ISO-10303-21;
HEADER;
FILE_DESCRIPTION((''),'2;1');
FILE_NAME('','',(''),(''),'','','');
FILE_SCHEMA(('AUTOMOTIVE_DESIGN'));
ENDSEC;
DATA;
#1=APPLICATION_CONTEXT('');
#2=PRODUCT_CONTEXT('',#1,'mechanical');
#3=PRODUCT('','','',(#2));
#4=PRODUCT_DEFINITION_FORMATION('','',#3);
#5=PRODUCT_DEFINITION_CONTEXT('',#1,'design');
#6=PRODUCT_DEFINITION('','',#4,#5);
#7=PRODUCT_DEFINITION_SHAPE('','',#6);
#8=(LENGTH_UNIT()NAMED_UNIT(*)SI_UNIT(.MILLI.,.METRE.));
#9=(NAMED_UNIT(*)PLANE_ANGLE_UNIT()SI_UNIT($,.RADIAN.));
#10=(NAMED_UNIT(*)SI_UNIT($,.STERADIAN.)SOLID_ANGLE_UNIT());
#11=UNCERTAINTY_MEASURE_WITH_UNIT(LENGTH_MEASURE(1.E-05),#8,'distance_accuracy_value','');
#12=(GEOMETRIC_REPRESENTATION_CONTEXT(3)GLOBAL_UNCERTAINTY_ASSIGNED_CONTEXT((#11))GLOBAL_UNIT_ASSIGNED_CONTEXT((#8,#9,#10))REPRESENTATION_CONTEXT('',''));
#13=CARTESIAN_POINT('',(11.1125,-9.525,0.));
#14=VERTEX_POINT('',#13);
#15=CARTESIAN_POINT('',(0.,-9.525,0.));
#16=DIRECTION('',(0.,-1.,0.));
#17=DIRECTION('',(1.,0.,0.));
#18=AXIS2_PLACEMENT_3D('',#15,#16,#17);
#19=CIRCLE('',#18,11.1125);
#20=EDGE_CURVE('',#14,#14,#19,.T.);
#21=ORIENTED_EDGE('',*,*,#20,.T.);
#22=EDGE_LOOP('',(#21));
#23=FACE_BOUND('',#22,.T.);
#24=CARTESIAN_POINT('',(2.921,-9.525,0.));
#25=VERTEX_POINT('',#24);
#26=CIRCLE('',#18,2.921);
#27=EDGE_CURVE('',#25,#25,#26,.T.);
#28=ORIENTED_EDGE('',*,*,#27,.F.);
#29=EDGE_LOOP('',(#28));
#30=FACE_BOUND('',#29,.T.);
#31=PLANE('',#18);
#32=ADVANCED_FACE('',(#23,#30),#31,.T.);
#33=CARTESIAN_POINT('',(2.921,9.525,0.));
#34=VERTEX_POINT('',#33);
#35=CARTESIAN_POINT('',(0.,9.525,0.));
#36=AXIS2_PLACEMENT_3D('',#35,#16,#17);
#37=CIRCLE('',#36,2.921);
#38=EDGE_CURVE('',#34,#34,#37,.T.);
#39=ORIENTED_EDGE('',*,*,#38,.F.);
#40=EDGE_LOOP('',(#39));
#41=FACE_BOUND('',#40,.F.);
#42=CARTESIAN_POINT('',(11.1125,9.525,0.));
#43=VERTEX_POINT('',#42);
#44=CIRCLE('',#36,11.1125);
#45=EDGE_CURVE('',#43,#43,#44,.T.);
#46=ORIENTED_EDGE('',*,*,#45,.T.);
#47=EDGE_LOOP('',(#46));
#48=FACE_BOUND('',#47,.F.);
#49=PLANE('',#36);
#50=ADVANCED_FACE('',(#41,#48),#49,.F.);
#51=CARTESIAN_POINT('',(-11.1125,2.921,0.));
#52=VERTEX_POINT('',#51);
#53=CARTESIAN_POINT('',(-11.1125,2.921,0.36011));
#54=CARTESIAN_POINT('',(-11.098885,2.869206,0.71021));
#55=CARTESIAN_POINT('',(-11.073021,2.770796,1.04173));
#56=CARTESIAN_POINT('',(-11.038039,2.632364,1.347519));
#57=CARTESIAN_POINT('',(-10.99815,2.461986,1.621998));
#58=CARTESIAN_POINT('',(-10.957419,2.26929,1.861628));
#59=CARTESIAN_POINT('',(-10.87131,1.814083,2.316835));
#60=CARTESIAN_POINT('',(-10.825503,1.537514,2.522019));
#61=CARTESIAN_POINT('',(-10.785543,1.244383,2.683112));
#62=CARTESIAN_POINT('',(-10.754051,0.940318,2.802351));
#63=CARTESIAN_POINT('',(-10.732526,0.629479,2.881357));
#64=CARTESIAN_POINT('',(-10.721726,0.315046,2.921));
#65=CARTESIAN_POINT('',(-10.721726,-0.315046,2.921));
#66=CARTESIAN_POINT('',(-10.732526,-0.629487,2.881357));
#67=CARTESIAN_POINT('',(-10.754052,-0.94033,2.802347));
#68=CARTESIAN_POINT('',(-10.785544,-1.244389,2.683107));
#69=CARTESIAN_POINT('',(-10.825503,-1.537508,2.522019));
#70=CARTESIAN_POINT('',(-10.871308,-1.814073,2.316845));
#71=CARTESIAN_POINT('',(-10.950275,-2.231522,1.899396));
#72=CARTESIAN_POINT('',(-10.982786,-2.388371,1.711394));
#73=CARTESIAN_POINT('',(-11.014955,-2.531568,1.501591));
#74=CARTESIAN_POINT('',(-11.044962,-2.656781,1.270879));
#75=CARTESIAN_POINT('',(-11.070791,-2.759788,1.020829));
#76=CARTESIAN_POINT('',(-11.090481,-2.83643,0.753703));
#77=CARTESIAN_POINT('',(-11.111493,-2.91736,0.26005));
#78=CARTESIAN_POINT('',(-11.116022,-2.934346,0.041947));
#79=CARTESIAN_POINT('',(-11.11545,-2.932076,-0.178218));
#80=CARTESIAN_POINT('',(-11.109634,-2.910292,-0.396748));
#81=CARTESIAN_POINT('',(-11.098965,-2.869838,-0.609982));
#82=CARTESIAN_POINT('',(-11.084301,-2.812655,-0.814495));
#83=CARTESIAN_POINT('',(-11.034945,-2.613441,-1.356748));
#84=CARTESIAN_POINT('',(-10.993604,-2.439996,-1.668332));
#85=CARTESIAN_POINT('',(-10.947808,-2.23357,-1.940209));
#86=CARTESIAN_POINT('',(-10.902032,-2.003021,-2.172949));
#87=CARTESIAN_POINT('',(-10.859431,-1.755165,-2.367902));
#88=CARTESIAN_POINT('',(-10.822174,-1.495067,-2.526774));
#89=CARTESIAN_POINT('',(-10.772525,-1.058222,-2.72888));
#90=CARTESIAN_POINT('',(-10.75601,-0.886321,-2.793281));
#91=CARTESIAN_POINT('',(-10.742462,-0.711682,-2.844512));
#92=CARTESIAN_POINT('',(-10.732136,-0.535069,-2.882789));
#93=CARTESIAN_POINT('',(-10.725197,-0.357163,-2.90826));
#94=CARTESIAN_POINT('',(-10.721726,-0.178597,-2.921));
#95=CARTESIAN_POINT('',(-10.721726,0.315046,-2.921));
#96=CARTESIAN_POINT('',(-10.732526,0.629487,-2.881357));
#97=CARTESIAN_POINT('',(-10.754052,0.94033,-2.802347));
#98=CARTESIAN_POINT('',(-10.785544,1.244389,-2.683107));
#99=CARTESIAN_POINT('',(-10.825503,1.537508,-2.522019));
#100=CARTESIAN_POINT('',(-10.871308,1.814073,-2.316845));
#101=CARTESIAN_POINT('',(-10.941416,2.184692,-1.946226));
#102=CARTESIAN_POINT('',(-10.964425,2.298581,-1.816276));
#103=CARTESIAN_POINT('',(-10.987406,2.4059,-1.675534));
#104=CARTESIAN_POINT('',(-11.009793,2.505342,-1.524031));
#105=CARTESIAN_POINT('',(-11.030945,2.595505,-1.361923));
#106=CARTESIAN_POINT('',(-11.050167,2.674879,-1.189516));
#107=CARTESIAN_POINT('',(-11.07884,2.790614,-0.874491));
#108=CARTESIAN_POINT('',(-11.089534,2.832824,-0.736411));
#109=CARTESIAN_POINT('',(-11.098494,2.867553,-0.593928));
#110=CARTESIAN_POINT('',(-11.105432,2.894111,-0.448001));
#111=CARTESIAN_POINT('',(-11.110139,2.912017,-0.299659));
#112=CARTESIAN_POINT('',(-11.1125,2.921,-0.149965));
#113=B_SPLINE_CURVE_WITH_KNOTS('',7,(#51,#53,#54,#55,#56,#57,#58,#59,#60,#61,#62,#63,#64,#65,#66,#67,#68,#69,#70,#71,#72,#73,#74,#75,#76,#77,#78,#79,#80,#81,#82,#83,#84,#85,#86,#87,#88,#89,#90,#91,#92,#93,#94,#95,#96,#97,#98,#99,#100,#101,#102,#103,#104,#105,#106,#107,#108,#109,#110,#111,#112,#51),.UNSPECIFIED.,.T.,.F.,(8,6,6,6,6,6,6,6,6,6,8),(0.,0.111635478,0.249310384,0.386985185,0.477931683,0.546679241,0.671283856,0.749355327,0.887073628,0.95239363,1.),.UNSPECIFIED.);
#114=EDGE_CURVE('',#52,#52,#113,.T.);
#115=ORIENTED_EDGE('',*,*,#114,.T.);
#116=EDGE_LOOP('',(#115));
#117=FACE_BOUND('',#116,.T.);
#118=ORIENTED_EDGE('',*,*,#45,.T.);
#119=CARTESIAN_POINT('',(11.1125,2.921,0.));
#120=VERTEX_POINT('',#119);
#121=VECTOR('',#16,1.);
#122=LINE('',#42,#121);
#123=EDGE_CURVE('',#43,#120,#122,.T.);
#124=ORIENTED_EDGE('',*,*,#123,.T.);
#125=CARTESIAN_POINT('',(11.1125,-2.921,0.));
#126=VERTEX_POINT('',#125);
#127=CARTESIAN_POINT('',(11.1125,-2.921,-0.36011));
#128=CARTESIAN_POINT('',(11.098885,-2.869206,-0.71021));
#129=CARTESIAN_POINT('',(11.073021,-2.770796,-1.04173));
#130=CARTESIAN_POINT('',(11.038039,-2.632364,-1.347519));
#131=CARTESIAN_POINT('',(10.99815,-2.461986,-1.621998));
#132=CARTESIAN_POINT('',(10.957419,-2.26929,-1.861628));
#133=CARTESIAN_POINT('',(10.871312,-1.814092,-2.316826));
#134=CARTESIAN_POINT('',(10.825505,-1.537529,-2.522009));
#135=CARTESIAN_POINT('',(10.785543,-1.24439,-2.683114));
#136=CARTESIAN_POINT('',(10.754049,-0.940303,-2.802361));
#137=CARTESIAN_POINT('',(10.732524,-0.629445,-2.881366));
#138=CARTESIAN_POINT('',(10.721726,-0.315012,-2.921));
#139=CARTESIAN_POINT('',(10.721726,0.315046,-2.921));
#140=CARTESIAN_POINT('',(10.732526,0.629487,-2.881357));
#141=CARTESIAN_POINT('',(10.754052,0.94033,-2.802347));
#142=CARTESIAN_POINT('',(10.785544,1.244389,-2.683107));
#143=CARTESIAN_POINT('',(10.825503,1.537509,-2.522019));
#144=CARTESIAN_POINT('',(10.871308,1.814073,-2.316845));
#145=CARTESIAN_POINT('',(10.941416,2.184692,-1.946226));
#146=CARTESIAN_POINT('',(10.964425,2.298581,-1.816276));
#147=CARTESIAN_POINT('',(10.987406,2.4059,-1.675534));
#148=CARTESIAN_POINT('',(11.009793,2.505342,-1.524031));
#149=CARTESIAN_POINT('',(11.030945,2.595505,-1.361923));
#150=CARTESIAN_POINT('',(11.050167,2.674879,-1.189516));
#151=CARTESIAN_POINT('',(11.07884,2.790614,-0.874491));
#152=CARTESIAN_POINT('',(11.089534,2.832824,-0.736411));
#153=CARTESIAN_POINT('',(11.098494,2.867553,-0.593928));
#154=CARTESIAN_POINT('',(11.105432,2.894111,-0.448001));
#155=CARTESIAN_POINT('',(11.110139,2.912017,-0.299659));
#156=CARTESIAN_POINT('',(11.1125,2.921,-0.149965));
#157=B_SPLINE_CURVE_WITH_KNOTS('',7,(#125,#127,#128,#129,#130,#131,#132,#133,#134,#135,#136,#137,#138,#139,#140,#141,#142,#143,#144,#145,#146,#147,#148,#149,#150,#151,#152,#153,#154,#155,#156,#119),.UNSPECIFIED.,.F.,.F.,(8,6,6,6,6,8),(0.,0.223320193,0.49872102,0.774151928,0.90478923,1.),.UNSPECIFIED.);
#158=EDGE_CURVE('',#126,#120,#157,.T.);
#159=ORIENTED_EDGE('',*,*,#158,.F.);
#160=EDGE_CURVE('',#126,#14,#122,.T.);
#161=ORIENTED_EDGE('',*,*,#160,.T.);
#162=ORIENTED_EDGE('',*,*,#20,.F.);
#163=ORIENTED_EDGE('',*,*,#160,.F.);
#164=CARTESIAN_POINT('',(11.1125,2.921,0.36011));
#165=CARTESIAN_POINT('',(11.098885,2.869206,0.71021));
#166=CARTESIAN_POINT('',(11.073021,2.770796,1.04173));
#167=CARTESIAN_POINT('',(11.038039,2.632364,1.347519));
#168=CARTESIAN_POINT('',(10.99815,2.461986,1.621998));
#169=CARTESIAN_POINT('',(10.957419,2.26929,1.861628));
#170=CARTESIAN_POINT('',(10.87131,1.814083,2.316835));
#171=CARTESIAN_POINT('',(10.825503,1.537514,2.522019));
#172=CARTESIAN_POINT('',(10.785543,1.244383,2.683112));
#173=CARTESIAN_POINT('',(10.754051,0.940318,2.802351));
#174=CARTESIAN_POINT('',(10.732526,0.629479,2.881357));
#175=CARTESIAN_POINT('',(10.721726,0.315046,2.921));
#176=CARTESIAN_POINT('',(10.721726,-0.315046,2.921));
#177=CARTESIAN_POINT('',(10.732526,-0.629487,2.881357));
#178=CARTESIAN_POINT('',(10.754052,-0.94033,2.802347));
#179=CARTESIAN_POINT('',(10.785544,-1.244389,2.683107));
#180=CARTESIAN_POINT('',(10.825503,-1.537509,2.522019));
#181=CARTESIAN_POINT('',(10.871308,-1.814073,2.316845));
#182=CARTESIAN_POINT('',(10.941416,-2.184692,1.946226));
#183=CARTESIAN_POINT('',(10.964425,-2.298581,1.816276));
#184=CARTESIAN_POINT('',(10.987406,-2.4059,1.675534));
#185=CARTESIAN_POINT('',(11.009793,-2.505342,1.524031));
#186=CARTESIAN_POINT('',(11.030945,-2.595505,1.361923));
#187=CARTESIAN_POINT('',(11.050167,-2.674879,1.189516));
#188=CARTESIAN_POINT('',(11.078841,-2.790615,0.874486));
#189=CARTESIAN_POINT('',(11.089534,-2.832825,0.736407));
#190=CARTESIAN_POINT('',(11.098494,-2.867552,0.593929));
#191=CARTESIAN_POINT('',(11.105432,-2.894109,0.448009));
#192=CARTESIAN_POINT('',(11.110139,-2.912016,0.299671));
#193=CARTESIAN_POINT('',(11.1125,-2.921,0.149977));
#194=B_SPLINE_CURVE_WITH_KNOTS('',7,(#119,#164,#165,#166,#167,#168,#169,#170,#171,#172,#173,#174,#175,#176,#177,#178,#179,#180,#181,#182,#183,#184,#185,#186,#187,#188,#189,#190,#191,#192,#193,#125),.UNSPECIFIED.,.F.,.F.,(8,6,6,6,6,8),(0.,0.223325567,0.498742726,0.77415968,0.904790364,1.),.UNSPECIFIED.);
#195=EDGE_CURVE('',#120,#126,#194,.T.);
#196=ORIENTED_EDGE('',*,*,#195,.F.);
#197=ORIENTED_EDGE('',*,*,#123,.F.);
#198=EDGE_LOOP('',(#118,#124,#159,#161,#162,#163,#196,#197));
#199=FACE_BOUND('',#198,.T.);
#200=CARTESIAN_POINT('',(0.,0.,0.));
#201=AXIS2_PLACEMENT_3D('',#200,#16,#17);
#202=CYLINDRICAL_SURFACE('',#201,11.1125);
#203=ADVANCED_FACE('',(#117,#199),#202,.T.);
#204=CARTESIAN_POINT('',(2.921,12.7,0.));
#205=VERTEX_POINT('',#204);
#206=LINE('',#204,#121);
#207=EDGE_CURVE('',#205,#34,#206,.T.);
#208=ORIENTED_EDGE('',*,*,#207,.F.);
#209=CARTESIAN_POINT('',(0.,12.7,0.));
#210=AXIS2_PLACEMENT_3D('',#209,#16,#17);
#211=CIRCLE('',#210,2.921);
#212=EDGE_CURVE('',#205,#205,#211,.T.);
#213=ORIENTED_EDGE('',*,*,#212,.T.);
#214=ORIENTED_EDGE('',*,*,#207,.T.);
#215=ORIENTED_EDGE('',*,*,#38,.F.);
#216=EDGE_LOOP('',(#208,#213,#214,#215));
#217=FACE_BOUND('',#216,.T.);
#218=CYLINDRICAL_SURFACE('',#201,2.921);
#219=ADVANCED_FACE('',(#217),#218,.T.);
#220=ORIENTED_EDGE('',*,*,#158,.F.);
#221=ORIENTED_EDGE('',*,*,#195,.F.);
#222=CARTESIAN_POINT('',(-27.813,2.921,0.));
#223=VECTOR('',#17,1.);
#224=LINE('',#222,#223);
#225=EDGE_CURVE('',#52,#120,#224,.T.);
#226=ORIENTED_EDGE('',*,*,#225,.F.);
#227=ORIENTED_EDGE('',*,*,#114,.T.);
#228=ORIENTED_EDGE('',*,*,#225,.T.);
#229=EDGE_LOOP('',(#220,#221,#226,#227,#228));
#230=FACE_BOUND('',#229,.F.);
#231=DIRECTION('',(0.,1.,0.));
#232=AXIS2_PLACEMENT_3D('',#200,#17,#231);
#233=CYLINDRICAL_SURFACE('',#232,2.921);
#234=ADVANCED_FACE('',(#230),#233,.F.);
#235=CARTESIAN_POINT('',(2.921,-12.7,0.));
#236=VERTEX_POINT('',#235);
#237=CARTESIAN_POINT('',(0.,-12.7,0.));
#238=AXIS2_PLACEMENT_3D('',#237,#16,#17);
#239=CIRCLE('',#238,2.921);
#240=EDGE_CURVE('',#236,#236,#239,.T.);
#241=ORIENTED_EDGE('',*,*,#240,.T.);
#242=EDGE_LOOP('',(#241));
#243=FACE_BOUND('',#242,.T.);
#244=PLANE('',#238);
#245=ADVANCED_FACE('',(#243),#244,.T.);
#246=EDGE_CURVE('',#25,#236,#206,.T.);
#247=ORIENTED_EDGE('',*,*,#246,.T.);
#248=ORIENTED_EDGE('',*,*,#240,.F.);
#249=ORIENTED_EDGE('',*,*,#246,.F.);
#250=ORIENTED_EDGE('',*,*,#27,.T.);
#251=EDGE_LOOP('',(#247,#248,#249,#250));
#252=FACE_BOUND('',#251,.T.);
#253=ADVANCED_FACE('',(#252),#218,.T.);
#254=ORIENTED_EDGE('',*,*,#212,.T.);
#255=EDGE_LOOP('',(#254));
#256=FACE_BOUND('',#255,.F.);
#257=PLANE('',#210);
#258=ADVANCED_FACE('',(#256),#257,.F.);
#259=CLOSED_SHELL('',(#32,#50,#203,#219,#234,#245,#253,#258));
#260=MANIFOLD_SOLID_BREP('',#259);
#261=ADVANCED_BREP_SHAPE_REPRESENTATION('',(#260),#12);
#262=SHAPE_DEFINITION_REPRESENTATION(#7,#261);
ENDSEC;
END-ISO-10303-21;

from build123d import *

# Parameters (mm, degrees)
F0_R     = 11.1125
F0_R_2   = 2.921
F1_DEPTH = 9.525
F2_DEPTH = 12.7
F3_R     = 2.921
F4_DEPTH = 27.813


with BuildPart() as f1:
    # F0 (on Front) → F1 (new body, symmetric)
    with BuildSketch(Plane.XZ):
        Circle(F0_R)
        Circle(F0_R_2, mode=Mode.SUBTRACT)
    extrude(amount=F1_DEPTH, both=True)

    # F0 (on Front) → F2 (join, symmetric)
    with BuildSketch(Plane.XZ):
        Circle(F0_R_2)
    extrude(amount=F2_DEPTH, both=True)

    # F3 (on Right) → F4 (cut, symmetric)
    with BuildSketch(Plane.YZ):
        Circle(F3_R)
    extrude(amount=F4_DEPTH, both=True, mode=Mode.SUBTRACT)


solid = f1.part
